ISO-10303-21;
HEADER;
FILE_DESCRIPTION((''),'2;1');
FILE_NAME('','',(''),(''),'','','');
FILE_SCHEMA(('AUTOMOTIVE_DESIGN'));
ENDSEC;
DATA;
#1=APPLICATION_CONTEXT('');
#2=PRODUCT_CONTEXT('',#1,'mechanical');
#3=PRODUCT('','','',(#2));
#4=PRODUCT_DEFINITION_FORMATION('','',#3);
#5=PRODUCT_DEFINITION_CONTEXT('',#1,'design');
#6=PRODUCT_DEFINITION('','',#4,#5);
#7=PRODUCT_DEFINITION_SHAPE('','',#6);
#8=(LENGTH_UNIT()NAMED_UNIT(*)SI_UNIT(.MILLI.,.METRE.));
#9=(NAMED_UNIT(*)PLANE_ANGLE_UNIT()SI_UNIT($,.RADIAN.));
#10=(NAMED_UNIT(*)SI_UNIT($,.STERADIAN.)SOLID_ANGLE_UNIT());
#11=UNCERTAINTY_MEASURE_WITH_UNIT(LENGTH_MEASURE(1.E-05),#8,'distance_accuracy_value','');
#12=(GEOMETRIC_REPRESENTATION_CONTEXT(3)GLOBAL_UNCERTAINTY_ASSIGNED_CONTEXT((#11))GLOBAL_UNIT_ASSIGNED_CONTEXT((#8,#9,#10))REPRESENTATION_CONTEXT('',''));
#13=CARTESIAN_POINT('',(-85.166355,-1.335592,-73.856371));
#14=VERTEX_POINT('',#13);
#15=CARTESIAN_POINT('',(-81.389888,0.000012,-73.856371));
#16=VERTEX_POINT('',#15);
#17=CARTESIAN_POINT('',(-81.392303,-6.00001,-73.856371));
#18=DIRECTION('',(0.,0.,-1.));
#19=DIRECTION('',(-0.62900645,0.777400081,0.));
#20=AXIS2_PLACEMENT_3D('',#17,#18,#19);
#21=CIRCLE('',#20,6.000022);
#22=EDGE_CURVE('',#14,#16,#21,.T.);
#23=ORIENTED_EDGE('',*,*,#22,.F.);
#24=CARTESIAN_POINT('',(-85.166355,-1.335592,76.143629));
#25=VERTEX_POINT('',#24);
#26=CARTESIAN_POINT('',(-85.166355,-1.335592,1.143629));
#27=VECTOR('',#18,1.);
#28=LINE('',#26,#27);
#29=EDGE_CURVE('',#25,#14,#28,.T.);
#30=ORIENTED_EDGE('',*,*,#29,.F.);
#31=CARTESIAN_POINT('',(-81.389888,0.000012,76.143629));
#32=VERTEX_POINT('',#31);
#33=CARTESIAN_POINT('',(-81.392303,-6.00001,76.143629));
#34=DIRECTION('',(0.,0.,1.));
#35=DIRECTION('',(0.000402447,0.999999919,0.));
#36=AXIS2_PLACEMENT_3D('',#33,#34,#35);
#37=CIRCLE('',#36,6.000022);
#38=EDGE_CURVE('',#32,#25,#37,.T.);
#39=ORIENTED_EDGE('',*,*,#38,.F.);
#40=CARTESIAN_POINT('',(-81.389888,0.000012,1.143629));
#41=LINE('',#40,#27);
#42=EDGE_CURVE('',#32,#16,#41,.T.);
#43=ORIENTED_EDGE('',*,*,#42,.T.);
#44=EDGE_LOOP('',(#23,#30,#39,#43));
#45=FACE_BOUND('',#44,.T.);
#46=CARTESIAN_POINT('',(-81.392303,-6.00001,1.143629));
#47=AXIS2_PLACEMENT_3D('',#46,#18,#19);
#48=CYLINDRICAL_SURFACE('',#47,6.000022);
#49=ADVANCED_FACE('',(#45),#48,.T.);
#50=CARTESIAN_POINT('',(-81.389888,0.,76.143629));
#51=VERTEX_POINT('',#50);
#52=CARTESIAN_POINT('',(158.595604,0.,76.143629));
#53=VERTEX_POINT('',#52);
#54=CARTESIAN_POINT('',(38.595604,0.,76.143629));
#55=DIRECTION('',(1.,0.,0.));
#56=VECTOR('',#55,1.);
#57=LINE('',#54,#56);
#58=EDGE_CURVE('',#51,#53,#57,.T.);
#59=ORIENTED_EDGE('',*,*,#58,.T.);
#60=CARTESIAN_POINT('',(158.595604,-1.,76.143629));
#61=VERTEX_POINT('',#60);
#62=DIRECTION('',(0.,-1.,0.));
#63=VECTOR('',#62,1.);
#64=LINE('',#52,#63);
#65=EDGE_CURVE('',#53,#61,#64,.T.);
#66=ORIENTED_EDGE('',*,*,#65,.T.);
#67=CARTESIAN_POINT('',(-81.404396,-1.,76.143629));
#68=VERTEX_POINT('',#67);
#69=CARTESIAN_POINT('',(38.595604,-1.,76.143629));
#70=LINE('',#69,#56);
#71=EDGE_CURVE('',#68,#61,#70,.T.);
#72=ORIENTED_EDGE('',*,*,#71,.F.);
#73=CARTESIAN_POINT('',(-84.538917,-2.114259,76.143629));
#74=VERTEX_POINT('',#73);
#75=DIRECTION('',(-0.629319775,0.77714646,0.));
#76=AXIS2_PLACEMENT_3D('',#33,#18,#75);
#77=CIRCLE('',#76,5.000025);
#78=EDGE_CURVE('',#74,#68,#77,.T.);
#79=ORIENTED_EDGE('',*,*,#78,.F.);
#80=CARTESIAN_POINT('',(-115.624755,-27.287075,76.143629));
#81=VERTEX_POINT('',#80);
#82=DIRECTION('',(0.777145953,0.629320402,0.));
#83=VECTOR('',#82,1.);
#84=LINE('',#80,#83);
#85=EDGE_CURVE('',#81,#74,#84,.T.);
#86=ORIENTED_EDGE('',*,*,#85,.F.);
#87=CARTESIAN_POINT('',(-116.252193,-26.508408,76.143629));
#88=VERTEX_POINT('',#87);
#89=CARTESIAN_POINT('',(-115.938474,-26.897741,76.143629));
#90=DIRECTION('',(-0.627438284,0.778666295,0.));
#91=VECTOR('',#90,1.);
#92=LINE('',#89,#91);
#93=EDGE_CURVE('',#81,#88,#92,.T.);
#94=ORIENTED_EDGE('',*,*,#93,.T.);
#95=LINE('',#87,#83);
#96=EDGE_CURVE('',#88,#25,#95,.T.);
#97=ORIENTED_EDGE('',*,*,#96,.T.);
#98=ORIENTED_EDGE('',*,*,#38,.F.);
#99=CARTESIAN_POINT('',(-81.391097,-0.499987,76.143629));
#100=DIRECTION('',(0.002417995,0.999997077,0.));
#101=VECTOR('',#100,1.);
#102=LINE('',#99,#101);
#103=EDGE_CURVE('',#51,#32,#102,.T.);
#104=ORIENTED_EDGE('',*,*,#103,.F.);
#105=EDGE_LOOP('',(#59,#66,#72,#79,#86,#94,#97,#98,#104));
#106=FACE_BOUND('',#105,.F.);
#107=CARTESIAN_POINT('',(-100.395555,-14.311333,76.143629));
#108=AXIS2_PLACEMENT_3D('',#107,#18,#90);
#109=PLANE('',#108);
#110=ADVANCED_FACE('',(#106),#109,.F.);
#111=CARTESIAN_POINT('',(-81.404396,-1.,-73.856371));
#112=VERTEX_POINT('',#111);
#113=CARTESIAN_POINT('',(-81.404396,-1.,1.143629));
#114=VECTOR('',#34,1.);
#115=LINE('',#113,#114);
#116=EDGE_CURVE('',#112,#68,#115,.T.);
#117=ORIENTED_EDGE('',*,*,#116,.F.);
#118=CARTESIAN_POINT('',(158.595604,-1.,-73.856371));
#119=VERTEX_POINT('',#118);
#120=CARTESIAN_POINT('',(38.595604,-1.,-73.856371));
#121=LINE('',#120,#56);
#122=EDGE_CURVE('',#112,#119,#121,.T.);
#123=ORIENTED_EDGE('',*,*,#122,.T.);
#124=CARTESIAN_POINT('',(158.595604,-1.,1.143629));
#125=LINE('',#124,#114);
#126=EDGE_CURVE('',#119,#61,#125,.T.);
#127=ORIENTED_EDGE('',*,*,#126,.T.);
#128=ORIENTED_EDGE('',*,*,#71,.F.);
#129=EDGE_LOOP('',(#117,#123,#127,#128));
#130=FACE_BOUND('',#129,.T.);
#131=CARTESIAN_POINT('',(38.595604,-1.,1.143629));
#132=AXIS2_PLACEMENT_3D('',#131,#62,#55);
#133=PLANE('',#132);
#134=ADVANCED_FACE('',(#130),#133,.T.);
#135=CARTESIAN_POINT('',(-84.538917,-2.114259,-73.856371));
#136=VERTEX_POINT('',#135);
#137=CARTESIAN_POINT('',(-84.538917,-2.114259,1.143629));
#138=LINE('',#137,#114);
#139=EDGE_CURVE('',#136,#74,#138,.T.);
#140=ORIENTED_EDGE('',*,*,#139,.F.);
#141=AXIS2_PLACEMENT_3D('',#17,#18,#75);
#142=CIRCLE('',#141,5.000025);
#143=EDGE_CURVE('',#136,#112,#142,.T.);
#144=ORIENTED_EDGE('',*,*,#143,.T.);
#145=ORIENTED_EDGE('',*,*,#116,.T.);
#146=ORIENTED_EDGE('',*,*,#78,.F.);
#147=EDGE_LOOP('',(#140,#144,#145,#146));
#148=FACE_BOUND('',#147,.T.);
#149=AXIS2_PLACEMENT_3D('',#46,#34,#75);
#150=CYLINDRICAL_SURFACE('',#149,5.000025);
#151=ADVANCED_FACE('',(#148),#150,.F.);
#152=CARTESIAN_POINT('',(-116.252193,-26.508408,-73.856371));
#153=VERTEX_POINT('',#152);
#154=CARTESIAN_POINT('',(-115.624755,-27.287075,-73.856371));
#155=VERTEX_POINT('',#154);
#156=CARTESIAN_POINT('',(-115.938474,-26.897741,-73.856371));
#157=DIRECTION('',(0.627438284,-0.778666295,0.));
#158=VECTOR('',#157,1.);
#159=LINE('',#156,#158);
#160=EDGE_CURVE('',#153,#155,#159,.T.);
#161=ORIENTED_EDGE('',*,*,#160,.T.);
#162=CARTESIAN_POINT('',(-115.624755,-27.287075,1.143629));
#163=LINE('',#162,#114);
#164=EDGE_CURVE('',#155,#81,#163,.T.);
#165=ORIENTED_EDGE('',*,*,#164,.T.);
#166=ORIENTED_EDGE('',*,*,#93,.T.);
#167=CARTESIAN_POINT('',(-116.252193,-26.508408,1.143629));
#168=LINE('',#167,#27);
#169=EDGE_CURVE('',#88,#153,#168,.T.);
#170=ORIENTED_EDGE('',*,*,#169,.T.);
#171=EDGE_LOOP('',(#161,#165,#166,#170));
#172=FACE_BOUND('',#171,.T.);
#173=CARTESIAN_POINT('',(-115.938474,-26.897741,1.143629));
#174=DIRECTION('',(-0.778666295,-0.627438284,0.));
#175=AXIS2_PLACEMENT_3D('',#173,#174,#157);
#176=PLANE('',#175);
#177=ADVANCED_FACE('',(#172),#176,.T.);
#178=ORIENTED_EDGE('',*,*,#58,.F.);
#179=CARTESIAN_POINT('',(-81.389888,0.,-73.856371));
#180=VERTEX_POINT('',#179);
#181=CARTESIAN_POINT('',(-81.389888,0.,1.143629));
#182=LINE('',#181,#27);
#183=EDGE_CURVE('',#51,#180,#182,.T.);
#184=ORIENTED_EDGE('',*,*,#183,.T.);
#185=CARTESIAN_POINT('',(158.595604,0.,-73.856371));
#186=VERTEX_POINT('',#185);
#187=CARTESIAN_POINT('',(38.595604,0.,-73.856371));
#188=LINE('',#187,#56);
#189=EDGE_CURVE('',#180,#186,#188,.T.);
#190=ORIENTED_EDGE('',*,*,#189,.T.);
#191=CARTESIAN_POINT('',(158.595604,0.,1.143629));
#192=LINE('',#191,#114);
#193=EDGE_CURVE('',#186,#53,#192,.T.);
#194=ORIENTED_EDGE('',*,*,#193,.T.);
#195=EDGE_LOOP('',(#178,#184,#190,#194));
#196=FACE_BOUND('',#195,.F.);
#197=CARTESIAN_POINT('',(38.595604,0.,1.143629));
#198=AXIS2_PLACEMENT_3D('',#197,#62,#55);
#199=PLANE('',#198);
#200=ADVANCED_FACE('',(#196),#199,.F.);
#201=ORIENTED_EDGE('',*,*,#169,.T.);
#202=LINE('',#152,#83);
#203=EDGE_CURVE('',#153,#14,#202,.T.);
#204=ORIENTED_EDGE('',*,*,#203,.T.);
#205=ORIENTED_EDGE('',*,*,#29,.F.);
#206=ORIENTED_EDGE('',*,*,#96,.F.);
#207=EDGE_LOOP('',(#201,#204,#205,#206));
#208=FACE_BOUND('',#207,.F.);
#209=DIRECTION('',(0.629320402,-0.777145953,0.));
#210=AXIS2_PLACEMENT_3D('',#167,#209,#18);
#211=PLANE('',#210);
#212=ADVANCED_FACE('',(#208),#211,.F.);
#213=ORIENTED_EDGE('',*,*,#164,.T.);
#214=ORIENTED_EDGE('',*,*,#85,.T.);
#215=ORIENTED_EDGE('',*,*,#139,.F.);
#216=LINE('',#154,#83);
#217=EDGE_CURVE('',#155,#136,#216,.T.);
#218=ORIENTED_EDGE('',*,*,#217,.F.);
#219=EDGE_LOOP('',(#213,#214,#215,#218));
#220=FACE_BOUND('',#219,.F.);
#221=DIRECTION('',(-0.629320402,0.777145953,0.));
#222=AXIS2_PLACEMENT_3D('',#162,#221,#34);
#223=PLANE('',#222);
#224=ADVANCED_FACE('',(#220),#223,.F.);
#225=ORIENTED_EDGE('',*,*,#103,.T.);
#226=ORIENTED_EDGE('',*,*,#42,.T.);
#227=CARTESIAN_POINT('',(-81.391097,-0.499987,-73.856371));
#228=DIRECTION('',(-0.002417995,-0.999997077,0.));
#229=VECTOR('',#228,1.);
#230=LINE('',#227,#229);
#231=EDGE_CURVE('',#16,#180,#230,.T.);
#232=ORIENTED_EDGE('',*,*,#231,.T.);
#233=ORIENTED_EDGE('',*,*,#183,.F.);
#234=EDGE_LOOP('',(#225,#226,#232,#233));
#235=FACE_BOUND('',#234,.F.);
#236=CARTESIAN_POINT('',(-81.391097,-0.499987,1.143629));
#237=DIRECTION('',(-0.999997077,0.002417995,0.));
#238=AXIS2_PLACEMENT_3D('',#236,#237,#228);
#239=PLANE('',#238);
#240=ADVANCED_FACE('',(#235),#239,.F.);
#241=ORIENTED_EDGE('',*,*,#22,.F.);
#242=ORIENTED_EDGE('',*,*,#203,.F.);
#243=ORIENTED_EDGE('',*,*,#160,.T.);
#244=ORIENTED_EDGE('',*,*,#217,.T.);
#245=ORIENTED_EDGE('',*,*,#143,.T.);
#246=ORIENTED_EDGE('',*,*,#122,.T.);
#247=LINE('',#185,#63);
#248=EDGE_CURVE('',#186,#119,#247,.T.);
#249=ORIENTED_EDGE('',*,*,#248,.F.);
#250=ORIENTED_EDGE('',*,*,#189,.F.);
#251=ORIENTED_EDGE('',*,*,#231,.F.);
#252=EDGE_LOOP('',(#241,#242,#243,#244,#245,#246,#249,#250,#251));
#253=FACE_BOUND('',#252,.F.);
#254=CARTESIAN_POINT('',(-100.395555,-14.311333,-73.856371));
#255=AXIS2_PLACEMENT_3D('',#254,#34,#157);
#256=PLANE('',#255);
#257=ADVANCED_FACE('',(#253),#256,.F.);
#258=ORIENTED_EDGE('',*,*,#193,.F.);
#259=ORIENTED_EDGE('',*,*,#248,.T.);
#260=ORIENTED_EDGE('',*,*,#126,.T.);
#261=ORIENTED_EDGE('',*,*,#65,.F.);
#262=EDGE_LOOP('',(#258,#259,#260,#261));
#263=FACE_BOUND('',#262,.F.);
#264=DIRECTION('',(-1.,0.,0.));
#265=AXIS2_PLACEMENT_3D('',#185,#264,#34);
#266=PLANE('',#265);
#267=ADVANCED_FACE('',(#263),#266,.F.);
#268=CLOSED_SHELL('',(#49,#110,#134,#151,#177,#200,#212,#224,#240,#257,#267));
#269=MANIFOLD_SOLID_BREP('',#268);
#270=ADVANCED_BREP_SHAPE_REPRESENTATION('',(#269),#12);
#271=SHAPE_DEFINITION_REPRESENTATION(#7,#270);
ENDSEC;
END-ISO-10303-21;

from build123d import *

# Parameters (mm, degrees)
F0_W     = 240
F0_H     = 150
F1_DEPTH = 1
F4_W     = 1
F4_H     = 150


with BuildPart() as f1:
    # F0 (on Front) → F1 (new body)
    with BuildSketch(Plane.XZ):
        with Locations((38.595604, 1.143629)):
            Rectangle(F0_W, F0_H)
    extrude(amount=F1_DEPTH)

    # F5: sweep along a path in F3
    with BuildLine(Plane(origin=(0, 0, -73.856371), x_dir=(1, 0, 0), z_dir=(0, 0, -1))) as f5_path:
        Line((-115.624746, 27.287086), (-84.538908, 2.11427))
        ThreePointArc((-84.538908, 2.11427), (-83.06134, 1.286793), (-81.392306, 1))
    # F4 (on face) → F5 (sweep)
    with BuildSketch(Plane(origin=(-81.404396, 0, 0), x_dir=(0, -1, 0), z_dir=(-1, 0, 0))):
        with Locations((0.5, 1.143629)):
            Rectangle(F4_W, F4_H)
    sweep(path=f5_path.line)


solid = f1.part
